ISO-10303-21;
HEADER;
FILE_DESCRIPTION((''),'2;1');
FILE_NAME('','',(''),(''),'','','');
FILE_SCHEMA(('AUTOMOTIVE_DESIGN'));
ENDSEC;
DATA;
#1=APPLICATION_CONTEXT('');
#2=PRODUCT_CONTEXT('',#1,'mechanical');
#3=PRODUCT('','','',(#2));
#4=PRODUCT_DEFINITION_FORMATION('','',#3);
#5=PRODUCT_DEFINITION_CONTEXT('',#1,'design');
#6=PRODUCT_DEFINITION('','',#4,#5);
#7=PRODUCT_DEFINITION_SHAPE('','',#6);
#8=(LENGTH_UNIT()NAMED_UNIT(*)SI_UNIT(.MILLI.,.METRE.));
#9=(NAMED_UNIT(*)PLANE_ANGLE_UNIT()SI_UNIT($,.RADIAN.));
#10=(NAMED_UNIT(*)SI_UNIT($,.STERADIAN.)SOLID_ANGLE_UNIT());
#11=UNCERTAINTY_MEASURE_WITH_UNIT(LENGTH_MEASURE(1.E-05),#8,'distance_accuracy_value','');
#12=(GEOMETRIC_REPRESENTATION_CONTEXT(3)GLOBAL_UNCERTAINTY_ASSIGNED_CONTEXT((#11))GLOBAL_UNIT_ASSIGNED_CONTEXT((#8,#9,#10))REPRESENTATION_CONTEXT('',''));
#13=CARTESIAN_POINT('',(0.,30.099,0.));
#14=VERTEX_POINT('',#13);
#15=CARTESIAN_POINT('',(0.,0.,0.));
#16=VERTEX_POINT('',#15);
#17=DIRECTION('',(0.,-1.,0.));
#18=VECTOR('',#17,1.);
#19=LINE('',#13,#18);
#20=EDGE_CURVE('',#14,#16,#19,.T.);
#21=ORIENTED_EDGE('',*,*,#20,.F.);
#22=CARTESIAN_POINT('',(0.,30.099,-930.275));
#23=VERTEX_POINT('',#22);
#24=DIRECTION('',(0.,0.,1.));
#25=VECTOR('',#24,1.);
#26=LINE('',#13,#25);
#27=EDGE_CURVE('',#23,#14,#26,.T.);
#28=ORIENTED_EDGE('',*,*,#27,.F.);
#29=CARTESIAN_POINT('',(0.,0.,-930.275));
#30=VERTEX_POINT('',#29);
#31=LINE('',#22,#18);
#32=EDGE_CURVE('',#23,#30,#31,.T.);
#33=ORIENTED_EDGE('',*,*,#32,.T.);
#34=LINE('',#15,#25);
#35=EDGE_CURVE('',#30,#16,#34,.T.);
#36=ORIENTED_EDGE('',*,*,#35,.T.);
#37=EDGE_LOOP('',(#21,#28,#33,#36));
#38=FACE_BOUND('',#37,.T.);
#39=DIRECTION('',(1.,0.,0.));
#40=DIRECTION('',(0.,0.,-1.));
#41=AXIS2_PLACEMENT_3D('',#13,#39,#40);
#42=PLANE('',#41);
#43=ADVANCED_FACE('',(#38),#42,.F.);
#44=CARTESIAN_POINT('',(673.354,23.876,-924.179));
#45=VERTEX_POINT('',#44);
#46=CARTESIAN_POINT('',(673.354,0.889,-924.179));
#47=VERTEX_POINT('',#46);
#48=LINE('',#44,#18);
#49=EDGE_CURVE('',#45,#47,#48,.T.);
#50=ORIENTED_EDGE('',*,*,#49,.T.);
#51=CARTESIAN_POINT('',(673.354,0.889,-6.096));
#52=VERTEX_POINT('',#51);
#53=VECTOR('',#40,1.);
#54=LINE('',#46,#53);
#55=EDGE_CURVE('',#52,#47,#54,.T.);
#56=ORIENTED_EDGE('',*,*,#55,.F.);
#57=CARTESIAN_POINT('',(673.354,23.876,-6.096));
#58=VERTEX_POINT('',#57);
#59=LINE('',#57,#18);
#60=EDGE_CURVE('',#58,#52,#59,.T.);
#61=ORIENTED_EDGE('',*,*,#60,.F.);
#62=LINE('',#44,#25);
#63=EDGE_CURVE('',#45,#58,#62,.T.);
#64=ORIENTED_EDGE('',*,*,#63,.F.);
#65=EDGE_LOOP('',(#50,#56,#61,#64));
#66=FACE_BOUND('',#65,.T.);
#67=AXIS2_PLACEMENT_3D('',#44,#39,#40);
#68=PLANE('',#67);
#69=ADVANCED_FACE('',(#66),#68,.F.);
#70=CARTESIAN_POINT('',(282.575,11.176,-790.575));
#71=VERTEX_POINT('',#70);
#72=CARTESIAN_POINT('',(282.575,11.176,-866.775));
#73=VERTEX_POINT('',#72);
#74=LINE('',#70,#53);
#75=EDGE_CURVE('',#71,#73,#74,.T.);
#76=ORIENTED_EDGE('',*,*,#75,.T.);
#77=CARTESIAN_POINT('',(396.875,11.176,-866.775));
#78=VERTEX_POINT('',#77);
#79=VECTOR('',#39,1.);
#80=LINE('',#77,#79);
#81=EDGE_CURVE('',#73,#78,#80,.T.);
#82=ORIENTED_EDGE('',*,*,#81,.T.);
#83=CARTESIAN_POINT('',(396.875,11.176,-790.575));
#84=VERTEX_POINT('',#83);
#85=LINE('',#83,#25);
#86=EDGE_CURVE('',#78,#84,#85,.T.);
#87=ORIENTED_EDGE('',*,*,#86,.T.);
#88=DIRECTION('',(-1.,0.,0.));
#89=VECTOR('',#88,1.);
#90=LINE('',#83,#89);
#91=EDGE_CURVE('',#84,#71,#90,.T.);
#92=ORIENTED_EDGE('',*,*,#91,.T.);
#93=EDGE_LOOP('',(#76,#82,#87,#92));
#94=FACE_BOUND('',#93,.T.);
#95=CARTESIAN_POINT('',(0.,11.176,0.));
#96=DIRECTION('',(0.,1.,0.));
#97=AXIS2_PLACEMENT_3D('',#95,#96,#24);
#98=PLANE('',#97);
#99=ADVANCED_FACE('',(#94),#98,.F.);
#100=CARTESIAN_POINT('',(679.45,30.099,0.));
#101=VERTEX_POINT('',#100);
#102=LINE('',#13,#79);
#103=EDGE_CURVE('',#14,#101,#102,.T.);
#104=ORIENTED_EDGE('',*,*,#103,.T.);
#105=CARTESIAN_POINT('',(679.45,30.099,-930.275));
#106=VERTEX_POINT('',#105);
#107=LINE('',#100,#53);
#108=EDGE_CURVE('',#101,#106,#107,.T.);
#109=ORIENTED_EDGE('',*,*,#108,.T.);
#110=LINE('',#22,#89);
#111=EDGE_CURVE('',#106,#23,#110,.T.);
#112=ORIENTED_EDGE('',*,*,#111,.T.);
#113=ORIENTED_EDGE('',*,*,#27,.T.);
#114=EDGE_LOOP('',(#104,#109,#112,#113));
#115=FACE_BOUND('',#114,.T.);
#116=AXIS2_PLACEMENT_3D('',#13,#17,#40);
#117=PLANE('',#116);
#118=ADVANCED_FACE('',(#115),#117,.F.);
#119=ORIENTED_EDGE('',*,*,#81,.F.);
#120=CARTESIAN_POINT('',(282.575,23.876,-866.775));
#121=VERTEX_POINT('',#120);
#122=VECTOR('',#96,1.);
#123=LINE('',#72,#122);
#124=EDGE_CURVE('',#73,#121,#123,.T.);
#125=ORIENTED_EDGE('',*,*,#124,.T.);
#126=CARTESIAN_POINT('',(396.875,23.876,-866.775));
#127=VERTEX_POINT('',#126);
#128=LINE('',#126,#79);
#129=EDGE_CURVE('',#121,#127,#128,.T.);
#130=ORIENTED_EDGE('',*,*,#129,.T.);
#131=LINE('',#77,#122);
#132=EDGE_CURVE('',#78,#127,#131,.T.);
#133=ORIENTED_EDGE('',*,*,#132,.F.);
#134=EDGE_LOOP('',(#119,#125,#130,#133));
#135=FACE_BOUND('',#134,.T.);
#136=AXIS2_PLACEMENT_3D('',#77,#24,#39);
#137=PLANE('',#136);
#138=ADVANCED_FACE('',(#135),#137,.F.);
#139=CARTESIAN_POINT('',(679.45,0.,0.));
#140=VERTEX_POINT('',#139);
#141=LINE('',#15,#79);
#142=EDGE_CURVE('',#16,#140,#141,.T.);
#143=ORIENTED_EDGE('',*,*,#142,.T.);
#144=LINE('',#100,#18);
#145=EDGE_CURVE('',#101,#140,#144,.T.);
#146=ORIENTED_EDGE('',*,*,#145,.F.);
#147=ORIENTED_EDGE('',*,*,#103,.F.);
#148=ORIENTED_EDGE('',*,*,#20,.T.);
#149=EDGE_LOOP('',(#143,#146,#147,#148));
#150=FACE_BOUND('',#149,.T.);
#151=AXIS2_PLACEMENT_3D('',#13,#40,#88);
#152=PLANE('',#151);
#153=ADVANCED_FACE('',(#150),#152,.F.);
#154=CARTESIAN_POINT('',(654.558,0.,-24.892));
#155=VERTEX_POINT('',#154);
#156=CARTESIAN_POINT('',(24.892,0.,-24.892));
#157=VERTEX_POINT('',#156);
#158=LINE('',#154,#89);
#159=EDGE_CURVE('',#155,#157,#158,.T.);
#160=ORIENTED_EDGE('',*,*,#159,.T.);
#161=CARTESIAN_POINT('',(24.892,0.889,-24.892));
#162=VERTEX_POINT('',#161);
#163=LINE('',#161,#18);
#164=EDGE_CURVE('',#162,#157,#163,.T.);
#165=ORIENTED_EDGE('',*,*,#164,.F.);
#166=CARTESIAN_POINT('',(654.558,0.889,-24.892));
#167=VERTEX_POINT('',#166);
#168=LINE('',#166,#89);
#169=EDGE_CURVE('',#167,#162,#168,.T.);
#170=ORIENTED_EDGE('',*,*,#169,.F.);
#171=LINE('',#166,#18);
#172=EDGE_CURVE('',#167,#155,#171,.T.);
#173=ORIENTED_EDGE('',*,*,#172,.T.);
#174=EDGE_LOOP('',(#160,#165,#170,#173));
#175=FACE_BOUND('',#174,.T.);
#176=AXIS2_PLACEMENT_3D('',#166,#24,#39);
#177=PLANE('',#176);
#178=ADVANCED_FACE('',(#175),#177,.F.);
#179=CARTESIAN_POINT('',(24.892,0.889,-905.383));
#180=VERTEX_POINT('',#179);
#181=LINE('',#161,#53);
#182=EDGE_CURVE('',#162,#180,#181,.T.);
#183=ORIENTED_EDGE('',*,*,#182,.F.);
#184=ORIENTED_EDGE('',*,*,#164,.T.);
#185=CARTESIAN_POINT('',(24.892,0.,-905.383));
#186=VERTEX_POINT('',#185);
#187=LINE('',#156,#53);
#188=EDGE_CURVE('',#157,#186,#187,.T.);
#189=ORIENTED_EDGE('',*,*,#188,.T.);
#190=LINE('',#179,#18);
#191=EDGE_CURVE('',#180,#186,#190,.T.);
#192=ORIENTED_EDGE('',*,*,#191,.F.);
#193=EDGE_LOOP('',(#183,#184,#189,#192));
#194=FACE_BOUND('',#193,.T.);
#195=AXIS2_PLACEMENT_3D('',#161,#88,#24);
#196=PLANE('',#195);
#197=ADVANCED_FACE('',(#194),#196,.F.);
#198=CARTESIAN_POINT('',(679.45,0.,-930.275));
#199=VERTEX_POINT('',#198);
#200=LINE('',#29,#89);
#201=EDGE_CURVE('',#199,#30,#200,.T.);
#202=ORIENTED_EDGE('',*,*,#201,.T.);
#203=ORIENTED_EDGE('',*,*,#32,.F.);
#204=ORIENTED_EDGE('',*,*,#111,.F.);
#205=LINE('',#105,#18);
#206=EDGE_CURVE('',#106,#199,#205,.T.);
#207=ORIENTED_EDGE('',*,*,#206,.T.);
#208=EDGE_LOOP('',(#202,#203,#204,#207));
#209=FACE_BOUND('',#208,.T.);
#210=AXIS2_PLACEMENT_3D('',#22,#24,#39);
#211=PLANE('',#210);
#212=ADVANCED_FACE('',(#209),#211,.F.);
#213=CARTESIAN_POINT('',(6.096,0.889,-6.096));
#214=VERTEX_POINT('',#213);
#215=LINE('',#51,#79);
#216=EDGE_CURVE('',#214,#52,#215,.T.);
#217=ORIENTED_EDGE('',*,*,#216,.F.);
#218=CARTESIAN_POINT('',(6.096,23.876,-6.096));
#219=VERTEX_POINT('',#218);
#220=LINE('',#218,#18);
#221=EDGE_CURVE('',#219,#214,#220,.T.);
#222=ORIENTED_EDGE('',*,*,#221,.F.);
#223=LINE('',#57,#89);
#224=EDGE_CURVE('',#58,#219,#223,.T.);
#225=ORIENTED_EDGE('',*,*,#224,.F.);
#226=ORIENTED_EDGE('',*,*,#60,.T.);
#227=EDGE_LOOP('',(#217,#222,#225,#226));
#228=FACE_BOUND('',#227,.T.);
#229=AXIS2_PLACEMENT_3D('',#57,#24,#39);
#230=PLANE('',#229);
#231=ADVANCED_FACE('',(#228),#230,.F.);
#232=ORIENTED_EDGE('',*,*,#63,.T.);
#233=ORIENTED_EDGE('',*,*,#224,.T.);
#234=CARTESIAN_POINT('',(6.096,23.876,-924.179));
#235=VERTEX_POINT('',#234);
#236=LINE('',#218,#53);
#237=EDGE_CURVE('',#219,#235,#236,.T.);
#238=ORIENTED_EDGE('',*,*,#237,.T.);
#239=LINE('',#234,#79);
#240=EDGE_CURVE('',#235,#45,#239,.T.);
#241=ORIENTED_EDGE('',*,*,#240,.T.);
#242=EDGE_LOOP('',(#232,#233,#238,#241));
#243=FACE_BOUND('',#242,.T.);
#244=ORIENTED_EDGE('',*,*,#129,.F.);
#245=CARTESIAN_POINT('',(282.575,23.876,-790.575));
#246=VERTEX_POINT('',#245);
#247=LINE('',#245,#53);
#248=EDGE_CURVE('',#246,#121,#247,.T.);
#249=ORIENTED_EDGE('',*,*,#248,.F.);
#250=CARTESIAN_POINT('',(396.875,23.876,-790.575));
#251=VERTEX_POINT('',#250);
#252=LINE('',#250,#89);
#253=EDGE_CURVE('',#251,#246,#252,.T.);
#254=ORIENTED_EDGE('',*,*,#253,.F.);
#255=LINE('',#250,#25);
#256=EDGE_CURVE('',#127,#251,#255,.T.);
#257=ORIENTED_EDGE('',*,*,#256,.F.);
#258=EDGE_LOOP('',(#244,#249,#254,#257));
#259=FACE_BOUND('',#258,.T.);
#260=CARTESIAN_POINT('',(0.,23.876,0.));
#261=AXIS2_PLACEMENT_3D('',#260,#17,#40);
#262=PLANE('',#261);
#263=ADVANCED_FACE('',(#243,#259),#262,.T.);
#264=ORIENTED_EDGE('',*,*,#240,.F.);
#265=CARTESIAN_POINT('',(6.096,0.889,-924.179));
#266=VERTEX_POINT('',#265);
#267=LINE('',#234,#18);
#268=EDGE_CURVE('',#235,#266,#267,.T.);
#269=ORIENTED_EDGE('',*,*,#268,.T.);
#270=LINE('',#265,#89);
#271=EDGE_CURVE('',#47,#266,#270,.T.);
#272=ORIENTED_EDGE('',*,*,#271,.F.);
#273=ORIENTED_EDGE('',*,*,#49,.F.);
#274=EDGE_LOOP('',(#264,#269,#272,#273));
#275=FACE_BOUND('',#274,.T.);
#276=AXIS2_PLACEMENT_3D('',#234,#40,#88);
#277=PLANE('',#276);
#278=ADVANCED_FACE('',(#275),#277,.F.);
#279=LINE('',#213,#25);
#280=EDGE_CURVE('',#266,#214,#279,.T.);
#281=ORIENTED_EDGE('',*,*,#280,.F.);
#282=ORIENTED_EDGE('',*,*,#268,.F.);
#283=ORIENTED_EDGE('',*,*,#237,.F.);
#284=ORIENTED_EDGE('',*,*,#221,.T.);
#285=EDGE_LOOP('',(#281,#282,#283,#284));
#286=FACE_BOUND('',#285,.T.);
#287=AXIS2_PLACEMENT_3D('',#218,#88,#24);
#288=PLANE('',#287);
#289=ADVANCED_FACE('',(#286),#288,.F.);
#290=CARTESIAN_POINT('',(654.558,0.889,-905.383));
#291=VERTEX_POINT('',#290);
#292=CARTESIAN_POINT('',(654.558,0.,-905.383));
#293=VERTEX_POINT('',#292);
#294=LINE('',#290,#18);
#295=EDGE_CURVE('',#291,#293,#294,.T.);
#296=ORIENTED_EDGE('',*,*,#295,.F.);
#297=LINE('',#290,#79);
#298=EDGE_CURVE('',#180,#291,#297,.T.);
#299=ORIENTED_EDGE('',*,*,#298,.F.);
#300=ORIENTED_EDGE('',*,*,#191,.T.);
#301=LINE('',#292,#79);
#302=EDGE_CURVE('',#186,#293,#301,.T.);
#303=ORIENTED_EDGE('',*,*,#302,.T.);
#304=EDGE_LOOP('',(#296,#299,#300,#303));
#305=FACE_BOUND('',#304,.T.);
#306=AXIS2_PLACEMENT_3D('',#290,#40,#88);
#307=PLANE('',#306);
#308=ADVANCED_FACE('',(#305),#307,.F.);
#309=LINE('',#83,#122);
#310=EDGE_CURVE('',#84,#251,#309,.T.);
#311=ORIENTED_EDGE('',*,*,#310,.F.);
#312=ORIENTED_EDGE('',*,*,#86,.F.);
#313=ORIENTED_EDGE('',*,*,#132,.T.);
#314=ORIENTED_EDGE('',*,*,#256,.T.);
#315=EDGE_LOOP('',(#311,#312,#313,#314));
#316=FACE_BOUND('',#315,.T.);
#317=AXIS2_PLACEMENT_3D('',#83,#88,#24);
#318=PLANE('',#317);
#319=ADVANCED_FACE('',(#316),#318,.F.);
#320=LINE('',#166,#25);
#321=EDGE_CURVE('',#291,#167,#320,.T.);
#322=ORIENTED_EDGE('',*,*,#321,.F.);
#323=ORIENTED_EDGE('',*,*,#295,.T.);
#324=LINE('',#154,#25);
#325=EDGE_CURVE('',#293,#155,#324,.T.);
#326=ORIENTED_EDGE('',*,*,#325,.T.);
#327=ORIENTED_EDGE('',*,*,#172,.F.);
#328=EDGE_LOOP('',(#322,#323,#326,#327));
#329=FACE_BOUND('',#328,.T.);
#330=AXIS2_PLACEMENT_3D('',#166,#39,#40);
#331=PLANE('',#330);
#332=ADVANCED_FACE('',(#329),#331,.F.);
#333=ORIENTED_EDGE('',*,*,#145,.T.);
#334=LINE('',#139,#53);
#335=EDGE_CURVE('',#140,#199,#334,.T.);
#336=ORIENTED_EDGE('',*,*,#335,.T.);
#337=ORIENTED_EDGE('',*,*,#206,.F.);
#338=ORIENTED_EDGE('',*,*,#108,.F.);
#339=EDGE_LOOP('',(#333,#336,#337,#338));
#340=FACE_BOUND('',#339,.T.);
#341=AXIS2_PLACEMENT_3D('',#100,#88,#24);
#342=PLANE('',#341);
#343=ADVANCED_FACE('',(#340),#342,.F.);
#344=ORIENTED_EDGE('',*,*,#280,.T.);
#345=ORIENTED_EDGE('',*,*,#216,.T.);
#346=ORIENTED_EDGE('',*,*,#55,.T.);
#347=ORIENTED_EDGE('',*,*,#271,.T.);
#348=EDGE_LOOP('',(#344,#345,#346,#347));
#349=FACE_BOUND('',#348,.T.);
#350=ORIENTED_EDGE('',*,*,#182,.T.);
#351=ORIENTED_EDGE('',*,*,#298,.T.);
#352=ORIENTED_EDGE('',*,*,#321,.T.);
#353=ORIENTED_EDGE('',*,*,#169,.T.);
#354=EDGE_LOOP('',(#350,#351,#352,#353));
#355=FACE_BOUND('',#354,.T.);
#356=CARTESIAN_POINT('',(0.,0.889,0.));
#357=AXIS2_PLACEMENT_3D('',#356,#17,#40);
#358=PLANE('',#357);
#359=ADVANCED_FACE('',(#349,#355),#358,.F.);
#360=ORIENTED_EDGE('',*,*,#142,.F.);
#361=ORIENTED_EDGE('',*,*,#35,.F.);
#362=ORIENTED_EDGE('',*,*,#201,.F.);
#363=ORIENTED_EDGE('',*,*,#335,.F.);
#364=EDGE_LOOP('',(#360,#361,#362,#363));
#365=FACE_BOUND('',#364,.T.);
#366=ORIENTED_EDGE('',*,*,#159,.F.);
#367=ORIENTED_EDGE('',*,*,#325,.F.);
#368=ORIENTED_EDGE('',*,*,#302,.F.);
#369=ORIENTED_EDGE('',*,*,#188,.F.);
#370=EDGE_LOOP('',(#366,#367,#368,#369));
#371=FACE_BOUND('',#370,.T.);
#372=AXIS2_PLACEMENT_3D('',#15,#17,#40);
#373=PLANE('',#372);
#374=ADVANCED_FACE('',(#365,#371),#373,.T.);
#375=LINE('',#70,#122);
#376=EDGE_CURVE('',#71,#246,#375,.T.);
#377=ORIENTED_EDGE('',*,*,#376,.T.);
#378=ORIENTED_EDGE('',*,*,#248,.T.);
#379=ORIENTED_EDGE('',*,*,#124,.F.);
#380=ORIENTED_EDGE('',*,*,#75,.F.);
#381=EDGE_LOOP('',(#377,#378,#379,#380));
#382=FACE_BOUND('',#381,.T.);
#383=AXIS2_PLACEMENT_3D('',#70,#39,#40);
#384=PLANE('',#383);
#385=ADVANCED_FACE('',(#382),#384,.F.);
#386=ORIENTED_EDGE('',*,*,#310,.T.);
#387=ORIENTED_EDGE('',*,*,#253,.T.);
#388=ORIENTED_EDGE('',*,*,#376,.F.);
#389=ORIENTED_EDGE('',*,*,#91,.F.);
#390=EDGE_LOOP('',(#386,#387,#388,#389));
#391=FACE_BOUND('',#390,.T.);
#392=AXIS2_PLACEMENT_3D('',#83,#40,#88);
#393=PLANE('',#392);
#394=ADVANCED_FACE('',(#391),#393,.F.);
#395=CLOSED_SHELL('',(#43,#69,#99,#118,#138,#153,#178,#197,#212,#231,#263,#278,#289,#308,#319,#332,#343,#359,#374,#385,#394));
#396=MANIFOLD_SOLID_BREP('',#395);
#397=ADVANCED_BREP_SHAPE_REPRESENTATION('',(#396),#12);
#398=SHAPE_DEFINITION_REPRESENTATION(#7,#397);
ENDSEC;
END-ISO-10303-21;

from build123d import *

# Parameters (mm, degrees)
SKETCH1_W           = 679.45
SKETCH1_H           = 930.275
BOSS_EXTRUDE1_DEPTH = 30.099
SKETCH2_W           = 667.258
SKETCH2_H           = 918.083
CUT_EXTRUDE1_DEPTH  = 23.876
SKETCH3_W           = 679.45
SKETCH3_H           = 930.275
SKETCH3_W_2         = 629.666
SKETCH3_H_2         = 880.491
BOSS_EXTRUDE2_DEPTH = 0.889
SKETCH4_W           = 114.3
SKETCH4_H           = 76.2
BOSS_EXTRUDE3_DEPTH = 12.7


with BuildPart() as part:
    # Sketch1 → Boss-Extrude1 (new body)
    with BuildSketch(Plane(origin=(0, 0, 0), x_dir=(1, 0, 0), z_dir=(0, 1, 0))):
        with Locations((339.725, 465.1375)):
            Rectangle(SKETCH1_W, SKETCH1_H)
    extrude(amount=BOSS_EXTRUDE1_DEPTH)

    # Sketch2 → Cut-Extrude1 (cut)
    with BuildSketch(Plane.XZ):
        with Locations((339.725, -465.1375)):
            Rectangle(SKETCH2_W, SKETCH2_H)
    extrude(amount=-CUT_EXTRUDE1_DEPTH, mode=Mode.SUBTRACT)

    # Sketch3 → Boss-Extrude2 (add)
    with BuildSketch(Plane.XZ):
        with Locations((339.725, -465.1375)):
            Rectangle(SKETCH3_W, SKETCH3_H)
        with Locations((339.725, -465.1375)):
            Rectangle(SKETCH3_W_2, SKETCH3_H_2, mode=Mode.SUBTRACT)
    extrude(amount=-BOSS_EXTRUDE2_DEPTH)

    # Sketch4 → Boss-Extrude3 (add)
    with BuildSketch(Plane.XZ.offset(-23.876)):
        with Locations((339.725, -828.675)):
            Rectangle(SKETCH4_W, SKETCH4_H)
    extrude(amount=BOSS_EXTRUDE3_DEPTH)


solid = part.part
